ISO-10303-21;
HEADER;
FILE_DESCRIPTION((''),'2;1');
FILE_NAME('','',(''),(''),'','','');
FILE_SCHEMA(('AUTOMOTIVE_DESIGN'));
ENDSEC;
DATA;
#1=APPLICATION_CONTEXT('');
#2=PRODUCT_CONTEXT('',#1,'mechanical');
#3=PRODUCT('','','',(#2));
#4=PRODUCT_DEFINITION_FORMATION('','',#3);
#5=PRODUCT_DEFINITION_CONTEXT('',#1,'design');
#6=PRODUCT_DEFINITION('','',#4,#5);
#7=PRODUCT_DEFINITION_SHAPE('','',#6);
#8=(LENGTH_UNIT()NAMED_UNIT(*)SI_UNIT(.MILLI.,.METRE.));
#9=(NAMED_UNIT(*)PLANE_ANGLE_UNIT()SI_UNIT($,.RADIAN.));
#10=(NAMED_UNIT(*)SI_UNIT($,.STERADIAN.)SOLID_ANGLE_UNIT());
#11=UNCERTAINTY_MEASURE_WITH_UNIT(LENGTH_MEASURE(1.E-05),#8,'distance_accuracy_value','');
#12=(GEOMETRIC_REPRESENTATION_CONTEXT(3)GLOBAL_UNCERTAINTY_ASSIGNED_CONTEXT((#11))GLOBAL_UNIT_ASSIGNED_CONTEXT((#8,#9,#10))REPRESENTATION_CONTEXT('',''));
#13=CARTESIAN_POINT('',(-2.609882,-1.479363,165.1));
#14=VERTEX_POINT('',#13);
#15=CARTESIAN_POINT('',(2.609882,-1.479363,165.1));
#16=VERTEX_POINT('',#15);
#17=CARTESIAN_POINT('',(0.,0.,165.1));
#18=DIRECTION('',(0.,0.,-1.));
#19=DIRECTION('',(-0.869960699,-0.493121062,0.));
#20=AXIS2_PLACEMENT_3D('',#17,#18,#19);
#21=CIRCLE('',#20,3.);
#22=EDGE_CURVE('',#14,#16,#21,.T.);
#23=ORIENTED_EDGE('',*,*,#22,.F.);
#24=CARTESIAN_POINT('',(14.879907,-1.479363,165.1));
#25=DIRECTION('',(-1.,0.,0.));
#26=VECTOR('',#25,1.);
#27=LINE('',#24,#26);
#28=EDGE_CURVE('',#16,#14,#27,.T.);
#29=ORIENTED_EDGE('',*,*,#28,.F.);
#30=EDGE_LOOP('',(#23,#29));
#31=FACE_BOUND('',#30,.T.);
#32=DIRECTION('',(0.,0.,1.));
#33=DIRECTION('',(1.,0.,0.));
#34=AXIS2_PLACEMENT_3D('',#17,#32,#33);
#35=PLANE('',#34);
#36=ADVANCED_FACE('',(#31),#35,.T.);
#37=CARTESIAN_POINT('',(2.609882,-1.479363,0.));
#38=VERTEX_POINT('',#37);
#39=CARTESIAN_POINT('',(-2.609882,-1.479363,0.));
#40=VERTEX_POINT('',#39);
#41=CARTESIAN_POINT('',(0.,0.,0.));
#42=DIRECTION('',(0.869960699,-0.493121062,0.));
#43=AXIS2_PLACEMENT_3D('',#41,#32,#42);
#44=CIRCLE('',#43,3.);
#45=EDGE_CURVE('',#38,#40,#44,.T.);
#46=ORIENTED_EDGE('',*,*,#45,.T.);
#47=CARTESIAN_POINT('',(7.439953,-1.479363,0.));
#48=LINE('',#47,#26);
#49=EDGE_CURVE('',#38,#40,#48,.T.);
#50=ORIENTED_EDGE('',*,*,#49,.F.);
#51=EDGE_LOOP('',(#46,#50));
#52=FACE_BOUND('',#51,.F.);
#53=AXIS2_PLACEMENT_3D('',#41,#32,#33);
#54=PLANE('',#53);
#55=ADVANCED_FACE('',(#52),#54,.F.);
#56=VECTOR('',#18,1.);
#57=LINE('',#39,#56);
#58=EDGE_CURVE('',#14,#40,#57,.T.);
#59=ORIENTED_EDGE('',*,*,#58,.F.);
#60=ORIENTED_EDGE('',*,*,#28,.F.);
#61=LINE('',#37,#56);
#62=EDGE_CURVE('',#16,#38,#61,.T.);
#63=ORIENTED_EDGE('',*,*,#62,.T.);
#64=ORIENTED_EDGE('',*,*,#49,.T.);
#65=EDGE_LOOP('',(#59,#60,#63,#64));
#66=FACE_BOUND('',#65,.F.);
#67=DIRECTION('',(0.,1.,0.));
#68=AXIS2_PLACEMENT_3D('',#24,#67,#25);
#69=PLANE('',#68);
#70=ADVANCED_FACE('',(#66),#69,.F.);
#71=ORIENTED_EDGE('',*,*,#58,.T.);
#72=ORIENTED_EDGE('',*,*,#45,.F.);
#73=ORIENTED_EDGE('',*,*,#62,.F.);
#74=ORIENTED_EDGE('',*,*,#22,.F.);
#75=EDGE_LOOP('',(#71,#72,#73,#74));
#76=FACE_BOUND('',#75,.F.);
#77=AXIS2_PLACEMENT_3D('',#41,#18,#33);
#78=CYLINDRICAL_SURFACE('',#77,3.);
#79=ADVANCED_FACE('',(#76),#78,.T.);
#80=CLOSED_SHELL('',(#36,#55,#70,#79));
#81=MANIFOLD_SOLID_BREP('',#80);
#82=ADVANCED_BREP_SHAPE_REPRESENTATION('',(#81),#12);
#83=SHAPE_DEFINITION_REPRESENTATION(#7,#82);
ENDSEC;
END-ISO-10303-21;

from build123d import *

# Parameters (mm, degrees)
F0_R     = 3
F1_DEPTH = 165.1
F3_DEPTH = 165.101


with BuildPart() as f1:
    # F0 (on Top) → F1 (new body)
    with BuildSketch(Plane.XY):
        Circle(F0_R)
    extrude(amount=F1_DEPTH)

    # F2 (on face) → F3 (cut, through all)
    with BuildSketch(Plane.XY.offset(165.1)):
        with BuildLine():
            Line((-2.6098820981, -1.4793631854), (-4.7224867158, -1.4793631854))
            Line((-4.7224867158, -1.4793631854), (-4.7224867158, -7.4564157985))
            Line((-4.7224867158, -7.4564157985), (14.87990655, -7.4564157985))
            Line((14.87990655, -7.4564157985), (14.87990655, -1.4793631854))
            Line((14.87990655, -1.4793631854), (2.6098820981, -1.4793631854))
            ThreePointArc((2.6098820981, -1.4793631854), (0, -3), (-2.6098820981, -1.4793631854))
        make_face()
        with BuildLine():
            Line((2.6098820981, -1.4793631854), (-2.6098820981, -1.4793631854))
            ThreePointArc((-2.6098820981, -1.4793631854), (0, -3), (2.6098820981, -1.4793631854))
        make_face()
    extrude(amount=-F3_DEPTH, mode=Mode.SUBTRACT)


solid = f1.part
